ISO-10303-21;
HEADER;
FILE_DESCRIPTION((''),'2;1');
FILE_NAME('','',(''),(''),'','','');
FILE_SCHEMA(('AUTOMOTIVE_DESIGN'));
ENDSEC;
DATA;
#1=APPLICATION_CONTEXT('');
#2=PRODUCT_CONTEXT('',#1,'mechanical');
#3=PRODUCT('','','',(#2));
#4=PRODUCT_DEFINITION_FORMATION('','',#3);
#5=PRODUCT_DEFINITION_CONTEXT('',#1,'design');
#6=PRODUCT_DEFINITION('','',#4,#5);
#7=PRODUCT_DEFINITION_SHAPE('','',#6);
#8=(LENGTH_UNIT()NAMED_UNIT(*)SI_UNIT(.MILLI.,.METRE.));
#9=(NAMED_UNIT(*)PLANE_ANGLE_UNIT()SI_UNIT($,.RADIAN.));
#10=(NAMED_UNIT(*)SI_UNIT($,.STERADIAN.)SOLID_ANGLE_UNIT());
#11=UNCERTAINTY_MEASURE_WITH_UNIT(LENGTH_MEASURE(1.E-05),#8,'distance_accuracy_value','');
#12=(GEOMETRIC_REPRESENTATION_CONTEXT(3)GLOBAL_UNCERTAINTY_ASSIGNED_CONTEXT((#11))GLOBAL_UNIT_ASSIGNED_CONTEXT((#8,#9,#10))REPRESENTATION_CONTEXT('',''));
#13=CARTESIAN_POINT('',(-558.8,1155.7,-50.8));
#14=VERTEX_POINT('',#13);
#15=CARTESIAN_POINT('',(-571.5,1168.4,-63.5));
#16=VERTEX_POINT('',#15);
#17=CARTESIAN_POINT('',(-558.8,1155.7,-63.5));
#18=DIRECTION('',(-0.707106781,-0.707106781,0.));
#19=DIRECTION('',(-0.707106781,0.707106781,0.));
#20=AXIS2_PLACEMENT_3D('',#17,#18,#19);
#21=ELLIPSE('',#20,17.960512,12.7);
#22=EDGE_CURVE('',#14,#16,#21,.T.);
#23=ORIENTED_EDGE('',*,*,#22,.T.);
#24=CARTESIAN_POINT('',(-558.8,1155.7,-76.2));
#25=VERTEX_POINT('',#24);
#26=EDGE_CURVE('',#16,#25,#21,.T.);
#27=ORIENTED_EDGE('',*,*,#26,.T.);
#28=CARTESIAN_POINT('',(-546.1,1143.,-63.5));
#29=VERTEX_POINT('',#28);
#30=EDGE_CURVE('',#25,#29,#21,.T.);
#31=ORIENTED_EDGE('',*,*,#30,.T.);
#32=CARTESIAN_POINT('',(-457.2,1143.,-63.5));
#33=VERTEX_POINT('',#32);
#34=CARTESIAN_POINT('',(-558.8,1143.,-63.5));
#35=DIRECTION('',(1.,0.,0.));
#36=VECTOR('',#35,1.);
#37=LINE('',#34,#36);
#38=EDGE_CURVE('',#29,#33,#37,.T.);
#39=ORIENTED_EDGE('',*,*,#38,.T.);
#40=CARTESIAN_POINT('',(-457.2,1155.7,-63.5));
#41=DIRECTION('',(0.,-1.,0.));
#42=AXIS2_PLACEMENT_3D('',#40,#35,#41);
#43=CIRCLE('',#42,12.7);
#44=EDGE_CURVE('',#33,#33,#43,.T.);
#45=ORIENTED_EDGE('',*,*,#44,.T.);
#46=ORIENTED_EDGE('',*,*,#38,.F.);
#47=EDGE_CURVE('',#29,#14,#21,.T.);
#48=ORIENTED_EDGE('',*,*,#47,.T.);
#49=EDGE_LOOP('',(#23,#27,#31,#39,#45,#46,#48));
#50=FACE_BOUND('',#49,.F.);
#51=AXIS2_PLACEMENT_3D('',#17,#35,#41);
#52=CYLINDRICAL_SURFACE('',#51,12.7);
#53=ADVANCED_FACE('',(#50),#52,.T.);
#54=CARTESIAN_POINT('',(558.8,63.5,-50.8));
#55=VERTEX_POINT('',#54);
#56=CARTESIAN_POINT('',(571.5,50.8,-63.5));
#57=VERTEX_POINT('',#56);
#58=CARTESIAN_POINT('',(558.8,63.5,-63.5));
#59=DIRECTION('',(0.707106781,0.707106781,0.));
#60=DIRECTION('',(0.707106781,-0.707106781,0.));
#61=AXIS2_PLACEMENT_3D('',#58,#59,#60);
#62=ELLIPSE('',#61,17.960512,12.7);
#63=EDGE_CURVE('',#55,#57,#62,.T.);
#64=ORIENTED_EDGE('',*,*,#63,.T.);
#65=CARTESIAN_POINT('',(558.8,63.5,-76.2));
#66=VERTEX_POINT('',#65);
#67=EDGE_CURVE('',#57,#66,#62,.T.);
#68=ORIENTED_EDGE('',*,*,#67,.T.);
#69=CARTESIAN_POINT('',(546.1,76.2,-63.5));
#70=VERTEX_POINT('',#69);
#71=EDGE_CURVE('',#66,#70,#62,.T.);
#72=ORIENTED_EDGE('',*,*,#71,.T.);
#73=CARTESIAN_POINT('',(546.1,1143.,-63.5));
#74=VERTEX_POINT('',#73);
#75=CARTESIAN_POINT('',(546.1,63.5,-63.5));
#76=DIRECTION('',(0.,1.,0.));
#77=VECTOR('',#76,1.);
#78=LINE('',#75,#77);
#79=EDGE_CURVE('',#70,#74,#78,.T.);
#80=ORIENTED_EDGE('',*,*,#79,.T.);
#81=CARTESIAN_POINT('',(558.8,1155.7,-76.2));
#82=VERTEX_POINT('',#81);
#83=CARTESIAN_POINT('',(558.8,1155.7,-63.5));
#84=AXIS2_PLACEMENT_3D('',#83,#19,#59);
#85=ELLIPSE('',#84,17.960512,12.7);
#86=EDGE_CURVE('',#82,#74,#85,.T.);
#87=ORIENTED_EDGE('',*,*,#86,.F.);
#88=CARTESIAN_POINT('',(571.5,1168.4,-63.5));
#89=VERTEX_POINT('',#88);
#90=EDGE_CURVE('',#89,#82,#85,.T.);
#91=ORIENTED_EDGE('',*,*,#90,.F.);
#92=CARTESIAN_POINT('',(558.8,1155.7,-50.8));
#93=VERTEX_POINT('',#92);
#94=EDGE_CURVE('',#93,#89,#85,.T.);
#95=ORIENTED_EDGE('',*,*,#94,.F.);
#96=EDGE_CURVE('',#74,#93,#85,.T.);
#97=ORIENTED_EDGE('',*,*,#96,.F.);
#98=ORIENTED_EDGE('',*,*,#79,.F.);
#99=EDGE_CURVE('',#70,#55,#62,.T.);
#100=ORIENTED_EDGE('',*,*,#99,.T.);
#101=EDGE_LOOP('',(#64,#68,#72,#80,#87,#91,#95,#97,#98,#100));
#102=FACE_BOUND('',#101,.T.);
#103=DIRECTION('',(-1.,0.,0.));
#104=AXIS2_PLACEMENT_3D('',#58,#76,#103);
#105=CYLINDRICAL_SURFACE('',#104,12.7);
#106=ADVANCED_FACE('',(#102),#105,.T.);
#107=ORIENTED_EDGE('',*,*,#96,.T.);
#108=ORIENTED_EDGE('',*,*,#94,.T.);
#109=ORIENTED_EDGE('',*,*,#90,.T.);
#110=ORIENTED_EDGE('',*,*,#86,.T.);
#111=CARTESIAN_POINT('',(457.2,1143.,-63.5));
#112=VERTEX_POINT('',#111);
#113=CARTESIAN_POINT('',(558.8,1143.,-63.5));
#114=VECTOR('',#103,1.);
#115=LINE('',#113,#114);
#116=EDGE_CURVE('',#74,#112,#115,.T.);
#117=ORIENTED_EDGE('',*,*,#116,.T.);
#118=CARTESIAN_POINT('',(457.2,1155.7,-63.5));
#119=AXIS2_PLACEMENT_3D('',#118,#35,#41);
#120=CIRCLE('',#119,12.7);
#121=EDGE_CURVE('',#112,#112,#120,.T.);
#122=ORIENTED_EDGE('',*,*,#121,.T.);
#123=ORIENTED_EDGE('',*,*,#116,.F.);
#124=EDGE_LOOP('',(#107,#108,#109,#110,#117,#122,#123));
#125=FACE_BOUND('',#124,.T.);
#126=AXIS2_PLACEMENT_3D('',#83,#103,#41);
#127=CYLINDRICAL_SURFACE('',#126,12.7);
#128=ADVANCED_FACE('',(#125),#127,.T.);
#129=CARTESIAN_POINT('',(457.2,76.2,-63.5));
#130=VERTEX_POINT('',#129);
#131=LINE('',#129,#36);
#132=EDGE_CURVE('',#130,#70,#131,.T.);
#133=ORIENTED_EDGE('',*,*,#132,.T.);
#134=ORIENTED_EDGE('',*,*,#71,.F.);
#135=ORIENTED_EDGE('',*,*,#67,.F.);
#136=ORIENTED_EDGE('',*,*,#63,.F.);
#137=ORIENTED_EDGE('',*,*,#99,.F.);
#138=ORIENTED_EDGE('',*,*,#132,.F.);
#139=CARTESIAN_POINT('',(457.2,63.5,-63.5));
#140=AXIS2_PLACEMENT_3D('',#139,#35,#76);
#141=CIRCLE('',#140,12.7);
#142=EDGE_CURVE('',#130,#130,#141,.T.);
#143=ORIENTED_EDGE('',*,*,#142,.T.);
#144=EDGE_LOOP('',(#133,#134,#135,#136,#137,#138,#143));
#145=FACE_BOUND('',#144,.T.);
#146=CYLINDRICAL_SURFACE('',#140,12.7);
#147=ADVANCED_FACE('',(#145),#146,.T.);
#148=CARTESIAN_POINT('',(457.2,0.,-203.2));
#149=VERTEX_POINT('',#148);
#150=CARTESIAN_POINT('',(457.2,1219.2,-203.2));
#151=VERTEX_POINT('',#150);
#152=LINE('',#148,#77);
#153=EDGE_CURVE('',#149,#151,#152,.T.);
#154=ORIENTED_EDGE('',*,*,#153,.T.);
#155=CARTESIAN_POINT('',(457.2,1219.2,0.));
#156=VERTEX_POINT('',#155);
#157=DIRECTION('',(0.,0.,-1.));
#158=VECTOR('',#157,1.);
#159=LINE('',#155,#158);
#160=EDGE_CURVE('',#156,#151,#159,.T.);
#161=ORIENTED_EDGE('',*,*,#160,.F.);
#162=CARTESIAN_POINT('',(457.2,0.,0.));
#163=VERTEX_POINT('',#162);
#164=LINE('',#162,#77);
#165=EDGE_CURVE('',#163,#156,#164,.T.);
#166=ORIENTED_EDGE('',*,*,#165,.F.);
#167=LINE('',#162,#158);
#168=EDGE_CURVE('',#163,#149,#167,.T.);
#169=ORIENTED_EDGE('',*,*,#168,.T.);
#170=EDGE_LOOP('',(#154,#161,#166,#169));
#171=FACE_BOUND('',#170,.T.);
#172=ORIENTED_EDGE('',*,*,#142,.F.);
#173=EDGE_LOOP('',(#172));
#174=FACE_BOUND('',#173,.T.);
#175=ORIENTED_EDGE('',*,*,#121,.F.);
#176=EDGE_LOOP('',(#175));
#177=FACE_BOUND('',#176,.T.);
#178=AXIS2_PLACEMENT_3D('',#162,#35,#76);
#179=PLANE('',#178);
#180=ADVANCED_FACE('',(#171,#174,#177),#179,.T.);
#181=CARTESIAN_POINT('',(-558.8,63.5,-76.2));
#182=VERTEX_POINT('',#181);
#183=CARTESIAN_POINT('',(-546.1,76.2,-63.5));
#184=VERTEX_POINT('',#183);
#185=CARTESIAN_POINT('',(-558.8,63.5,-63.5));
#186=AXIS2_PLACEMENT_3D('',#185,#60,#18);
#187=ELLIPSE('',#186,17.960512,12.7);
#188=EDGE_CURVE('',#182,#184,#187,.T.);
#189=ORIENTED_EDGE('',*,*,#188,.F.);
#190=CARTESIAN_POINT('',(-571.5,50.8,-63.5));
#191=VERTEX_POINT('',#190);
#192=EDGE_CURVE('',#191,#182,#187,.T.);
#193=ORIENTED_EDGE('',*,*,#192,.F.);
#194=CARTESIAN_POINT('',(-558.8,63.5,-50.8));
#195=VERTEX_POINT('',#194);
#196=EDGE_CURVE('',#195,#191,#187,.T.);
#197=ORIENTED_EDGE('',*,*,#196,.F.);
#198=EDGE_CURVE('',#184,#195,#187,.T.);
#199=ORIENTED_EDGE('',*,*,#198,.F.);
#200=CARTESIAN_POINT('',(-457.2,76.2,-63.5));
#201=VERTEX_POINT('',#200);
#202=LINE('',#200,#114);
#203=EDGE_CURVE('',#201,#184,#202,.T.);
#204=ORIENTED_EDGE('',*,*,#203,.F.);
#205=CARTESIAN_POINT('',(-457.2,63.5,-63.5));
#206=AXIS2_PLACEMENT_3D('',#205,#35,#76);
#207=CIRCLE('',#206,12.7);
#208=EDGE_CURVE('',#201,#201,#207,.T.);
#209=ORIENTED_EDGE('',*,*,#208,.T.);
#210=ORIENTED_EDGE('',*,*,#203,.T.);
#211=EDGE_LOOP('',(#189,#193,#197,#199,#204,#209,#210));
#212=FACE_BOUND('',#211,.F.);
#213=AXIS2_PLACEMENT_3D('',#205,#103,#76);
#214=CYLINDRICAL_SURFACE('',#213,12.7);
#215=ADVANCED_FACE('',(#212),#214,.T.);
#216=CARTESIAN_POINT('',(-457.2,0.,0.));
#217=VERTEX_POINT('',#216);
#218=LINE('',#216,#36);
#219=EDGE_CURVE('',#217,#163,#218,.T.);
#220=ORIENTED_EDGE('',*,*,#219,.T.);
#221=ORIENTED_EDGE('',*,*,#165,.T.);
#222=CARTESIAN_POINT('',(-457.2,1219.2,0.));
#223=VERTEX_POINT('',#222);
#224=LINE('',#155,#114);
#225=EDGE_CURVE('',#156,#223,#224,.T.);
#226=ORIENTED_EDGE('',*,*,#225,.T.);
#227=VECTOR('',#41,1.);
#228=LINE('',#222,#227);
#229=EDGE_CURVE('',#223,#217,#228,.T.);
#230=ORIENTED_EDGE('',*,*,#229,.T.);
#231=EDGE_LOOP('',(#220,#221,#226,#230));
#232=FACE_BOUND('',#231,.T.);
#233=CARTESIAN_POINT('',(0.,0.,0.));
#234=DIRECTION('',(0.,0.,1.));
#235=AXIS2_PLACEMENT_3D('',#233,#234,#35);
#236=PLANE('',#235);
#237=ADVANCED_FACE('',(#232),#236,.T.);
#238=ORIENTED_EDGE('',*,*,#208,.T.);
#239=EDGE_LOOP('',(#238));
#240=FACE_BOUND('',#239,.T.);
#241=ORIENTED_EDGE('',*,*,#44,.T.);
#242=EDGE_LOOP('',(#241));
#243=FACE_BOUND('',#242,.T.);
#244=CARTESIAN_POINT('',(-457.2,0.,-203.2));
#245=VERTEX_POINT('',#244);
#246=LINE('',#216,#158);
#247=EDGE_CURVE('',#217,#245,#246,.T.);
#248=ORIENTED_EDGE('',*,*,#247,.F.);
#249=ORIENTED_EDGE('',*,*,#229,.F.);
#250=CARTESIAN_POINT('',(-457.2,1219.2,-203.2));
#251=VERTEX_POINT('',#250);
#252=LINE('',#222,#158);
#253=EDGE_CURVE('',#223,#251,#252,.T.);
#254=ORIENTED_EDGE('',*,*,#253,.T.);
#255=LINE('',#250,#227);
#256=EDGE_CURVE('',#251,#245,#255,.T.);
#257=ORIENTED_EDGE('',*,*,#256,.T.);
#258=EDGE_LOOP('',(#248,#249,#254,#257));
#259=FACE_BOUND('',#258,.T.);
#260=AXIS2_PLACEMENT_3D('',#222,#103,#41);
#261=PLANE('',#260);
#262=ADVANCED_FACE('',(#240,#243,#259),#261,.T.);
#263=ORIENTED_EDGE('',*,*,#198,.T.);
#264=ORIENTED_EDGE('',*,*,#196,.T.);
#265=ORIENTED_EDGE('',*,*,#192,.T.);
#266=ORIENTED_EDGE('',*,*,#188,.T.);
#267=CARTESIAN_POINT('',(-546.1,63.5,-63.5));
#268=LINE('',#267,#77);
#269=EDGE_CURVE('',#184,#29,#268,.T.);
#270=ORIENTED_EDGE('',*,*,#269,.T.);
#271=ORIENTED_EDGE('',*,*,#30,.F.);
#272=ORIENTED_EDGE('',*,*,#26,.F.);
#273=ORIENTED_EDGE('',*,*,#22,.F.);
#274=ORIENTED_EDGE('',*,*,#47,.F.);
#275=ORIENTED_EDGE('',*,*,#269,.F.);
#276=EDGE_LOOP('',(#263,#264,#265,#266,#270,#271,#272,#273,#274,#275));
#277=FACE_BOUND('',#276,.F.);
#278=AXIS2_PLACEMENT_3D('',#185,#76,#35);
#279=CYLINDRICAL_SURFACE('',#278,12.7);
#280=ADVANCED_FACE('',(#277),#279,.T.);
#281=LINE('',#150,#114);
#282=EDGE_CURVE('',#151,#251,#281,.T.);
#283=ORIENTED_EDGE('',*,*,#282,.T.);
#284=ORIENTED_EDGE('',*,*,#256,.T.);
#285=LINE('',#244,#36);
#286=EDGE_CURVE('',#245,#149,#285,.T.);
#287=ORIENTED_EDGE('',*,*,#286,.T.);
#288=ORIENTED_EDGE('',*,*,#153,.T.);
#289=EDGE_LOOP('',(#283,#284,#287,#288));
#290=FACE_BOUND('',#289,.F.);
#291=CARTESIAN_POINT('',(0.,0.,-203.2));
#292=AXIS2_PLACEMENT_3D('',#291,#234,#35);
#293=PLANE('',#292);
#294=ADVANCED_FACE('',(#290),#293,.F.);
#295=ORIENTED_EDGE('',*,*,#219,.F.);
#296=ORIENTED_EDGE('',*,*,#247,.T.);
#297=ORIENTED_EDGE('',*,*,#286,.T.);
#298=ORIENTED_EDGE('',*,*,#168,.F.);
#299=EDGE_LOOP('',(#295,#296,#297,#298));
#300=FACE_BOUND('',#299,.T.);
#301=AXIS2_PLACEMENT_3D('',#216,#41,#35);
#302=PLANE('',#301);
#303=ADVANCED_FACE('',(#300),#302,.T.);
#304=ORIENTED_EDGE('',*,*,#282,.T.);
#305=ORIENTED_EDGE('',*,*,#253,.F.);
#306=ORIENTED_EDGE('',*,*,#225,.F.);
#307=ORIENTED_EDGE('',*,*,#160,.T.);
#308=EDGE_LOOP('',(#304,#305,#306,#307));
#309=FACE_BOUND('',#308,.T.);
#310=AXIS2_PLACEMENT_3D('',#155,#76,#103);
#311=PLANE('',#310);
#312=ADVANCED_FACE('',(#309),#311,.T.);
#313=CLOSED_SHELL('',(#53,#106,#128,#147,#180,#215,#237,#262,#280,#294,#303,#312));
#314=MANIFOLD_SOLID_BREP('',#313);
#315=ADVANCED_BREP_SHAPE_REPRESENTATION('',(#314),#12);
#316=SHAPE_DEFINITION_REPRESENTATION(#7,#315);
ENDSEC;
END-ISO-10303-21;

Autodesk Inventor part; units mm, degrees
ref_plane "PLANE IN" through (0, 0, 0) normal (0, 1, 0) x (-1, 0, 0)
ref_plane "PLANE OUT" through (0, 1219.2, 0) normal (0, 1, 0) x (-1, 0, 0)
ref_plane "PLANE CTR" through (0, 0, 0) normal (1, 0, 0) x (0, 1, 0)
ref_plane "PLANE RH" through (457.2, 0, 0) normal (1, 0, 0) x (0, 1, 0)
ref_plane "PLANE LH" through (-457.2, 0, 0) normal (1, 0, 0) x (0, 1, 0)
ref_plane "PLANE TOP" through (0, 0, 0) normal (0, 0, 1) x (1, 0, 0)
ref_plane "PLANE BOT" through (0, 0, -203.2) normal (0, 0, 1) x (1, 0, 0)
ref_plane "PLANE HANDLE RH" through (558.8, 0, 0) normal (1, 0, 0) x (0, 1, 0)
ref_plane "PLANE HANDLE LH" through (-558.8, 0, 0) normal (1, 0, 0) x (0, 1, 0)
ref_plane "PLANE HANDLE IN" through (0, 63.5, 0) normal (0, 1, 0) x (-1, 0, 0)
ref_plane "PLANE HANDLE OUT" through (0, 1155.7, 0) normal (0, 1, 0) x (-1, 0, 0)
ref_plane "PLANE HANDLE TOP" through (0, 0, -63.5) normal (0, 0, 1) x (1, 0, 0)
sketch "SKETCH BODY" plane through (0, 0, 0) normal (0, 0, 1) x (1, 0, 0)
  line L0 (-457.2, 0) -> (457.2, 0)
  line L1 (457.2, 0) -> (457.2, 1219.2)
  line L2 (457.2, 1219.2) -> (-457.2, 1219.2)
  line L3 (-457.2, 1219.2) -> (-457.2, 0)
  line L4 (-640.08, 0) -> (640.08, 0) projected
  line L5 (-640.08, 1219.2) -> (640.08, 1219.2) projected
  line L6 (457.2, 3657.6) -> (457.2, -609.6) projected
  line L7 (-457.2, 3657.6) -> (-457.2, -609.6) projected
extrude "EXT BODY" add sketch "SKETCH BODY" against normal blind 203.2
sketch "SKETCH HANDLE DIA" plane through (457.2, 0, 0) normal (1, 0, 0) x (0, 1, 0)
  line L0 (45.72, -63.5) -> (81.28, -63.5) projected
  line L1 (63.5, -45.72) -> (63.5, -81.28) projected
  circle A0 centre (63.5, -63.5) radius 12.7
  dimension "d79" = 25.4
sketch "SKETCH HANDLE PATH" plane through (0, 0, -63.5) normal (0, 0, 1) x (1, 0, 0)
  line L0 (558.8, 3568.7) -> (558.8, -520.7) projected
  line L1 (457.2, 3568.7) -> (457.2, -520.7) projected
  line L2 (436.88, 63.5) -> (579.12, 63.5) projected
  line L3 (436.88, 1155.7) -> (579.12, 1155.7) projected
  line L4 (457.2, 63.5) -> (558.8, 63.5)
  line L5 (558.8, 63.5) -> (558.8, 1155.7)
  line L6 (558.8, 1155.7) -> (457.2, 1155.7)
  line L7 (457.2, 1155.7) -> (457.2, 63.5) construction
sweep "SWP HANDLE" add profiles "SKETCH HANDLE DIA" path "SKETCH HANDLE PATH" path curves L4 L5 L6
mirror "MIR HANDLE" about plane through (0, 0, 0) normal (1, 0, 0)
equation "\"d76\" = HEIGHT"
equation "\"PLANE_OUT\" = LENGTH"
equation "\"PLANE_RH\" = 0.5 * WIDTH"
equation "\"PLANE_LH\" = -0.5 * WIDTH"
equation "\"PLANE_BOT\" = -HEIGHT"
equation "\"PLANE_HANDLE_RH\" = HANDLE_OFFSET_CTR"
equation "\"PLANE_HANDLE_LH\" = -HANDLE_OFFSET_CTR"
equation "\"PLANE_HANDLE_IN\" = HANDLE_OFFSET_END"
equation "\"PLANE_HANDLE_OUT\" = LENGTH - HANDLE_OFFSET_END"
equation "\"PLANE_HANDLE_TOP\" = -HANDLE_OFFSET_TOP"
equation "\"LENGTH\" = 1219.2"
equation "\"WIDTH\" = 914.4"
equation "\"HEIGHT\" = 203.2"
equation "\"HANDLE_GAP\" = 101.6"
equation "\"HANDLE_OFFSET_CTR\" = 0.5 * WIDTH + HANDLE_GAP"
equation "\"HANDLE_OFFSET_END\" = 63.5"
equation "\"HANDLE_OFFSET_TOP\" = 63.5"
properties part number "Blog Part"
